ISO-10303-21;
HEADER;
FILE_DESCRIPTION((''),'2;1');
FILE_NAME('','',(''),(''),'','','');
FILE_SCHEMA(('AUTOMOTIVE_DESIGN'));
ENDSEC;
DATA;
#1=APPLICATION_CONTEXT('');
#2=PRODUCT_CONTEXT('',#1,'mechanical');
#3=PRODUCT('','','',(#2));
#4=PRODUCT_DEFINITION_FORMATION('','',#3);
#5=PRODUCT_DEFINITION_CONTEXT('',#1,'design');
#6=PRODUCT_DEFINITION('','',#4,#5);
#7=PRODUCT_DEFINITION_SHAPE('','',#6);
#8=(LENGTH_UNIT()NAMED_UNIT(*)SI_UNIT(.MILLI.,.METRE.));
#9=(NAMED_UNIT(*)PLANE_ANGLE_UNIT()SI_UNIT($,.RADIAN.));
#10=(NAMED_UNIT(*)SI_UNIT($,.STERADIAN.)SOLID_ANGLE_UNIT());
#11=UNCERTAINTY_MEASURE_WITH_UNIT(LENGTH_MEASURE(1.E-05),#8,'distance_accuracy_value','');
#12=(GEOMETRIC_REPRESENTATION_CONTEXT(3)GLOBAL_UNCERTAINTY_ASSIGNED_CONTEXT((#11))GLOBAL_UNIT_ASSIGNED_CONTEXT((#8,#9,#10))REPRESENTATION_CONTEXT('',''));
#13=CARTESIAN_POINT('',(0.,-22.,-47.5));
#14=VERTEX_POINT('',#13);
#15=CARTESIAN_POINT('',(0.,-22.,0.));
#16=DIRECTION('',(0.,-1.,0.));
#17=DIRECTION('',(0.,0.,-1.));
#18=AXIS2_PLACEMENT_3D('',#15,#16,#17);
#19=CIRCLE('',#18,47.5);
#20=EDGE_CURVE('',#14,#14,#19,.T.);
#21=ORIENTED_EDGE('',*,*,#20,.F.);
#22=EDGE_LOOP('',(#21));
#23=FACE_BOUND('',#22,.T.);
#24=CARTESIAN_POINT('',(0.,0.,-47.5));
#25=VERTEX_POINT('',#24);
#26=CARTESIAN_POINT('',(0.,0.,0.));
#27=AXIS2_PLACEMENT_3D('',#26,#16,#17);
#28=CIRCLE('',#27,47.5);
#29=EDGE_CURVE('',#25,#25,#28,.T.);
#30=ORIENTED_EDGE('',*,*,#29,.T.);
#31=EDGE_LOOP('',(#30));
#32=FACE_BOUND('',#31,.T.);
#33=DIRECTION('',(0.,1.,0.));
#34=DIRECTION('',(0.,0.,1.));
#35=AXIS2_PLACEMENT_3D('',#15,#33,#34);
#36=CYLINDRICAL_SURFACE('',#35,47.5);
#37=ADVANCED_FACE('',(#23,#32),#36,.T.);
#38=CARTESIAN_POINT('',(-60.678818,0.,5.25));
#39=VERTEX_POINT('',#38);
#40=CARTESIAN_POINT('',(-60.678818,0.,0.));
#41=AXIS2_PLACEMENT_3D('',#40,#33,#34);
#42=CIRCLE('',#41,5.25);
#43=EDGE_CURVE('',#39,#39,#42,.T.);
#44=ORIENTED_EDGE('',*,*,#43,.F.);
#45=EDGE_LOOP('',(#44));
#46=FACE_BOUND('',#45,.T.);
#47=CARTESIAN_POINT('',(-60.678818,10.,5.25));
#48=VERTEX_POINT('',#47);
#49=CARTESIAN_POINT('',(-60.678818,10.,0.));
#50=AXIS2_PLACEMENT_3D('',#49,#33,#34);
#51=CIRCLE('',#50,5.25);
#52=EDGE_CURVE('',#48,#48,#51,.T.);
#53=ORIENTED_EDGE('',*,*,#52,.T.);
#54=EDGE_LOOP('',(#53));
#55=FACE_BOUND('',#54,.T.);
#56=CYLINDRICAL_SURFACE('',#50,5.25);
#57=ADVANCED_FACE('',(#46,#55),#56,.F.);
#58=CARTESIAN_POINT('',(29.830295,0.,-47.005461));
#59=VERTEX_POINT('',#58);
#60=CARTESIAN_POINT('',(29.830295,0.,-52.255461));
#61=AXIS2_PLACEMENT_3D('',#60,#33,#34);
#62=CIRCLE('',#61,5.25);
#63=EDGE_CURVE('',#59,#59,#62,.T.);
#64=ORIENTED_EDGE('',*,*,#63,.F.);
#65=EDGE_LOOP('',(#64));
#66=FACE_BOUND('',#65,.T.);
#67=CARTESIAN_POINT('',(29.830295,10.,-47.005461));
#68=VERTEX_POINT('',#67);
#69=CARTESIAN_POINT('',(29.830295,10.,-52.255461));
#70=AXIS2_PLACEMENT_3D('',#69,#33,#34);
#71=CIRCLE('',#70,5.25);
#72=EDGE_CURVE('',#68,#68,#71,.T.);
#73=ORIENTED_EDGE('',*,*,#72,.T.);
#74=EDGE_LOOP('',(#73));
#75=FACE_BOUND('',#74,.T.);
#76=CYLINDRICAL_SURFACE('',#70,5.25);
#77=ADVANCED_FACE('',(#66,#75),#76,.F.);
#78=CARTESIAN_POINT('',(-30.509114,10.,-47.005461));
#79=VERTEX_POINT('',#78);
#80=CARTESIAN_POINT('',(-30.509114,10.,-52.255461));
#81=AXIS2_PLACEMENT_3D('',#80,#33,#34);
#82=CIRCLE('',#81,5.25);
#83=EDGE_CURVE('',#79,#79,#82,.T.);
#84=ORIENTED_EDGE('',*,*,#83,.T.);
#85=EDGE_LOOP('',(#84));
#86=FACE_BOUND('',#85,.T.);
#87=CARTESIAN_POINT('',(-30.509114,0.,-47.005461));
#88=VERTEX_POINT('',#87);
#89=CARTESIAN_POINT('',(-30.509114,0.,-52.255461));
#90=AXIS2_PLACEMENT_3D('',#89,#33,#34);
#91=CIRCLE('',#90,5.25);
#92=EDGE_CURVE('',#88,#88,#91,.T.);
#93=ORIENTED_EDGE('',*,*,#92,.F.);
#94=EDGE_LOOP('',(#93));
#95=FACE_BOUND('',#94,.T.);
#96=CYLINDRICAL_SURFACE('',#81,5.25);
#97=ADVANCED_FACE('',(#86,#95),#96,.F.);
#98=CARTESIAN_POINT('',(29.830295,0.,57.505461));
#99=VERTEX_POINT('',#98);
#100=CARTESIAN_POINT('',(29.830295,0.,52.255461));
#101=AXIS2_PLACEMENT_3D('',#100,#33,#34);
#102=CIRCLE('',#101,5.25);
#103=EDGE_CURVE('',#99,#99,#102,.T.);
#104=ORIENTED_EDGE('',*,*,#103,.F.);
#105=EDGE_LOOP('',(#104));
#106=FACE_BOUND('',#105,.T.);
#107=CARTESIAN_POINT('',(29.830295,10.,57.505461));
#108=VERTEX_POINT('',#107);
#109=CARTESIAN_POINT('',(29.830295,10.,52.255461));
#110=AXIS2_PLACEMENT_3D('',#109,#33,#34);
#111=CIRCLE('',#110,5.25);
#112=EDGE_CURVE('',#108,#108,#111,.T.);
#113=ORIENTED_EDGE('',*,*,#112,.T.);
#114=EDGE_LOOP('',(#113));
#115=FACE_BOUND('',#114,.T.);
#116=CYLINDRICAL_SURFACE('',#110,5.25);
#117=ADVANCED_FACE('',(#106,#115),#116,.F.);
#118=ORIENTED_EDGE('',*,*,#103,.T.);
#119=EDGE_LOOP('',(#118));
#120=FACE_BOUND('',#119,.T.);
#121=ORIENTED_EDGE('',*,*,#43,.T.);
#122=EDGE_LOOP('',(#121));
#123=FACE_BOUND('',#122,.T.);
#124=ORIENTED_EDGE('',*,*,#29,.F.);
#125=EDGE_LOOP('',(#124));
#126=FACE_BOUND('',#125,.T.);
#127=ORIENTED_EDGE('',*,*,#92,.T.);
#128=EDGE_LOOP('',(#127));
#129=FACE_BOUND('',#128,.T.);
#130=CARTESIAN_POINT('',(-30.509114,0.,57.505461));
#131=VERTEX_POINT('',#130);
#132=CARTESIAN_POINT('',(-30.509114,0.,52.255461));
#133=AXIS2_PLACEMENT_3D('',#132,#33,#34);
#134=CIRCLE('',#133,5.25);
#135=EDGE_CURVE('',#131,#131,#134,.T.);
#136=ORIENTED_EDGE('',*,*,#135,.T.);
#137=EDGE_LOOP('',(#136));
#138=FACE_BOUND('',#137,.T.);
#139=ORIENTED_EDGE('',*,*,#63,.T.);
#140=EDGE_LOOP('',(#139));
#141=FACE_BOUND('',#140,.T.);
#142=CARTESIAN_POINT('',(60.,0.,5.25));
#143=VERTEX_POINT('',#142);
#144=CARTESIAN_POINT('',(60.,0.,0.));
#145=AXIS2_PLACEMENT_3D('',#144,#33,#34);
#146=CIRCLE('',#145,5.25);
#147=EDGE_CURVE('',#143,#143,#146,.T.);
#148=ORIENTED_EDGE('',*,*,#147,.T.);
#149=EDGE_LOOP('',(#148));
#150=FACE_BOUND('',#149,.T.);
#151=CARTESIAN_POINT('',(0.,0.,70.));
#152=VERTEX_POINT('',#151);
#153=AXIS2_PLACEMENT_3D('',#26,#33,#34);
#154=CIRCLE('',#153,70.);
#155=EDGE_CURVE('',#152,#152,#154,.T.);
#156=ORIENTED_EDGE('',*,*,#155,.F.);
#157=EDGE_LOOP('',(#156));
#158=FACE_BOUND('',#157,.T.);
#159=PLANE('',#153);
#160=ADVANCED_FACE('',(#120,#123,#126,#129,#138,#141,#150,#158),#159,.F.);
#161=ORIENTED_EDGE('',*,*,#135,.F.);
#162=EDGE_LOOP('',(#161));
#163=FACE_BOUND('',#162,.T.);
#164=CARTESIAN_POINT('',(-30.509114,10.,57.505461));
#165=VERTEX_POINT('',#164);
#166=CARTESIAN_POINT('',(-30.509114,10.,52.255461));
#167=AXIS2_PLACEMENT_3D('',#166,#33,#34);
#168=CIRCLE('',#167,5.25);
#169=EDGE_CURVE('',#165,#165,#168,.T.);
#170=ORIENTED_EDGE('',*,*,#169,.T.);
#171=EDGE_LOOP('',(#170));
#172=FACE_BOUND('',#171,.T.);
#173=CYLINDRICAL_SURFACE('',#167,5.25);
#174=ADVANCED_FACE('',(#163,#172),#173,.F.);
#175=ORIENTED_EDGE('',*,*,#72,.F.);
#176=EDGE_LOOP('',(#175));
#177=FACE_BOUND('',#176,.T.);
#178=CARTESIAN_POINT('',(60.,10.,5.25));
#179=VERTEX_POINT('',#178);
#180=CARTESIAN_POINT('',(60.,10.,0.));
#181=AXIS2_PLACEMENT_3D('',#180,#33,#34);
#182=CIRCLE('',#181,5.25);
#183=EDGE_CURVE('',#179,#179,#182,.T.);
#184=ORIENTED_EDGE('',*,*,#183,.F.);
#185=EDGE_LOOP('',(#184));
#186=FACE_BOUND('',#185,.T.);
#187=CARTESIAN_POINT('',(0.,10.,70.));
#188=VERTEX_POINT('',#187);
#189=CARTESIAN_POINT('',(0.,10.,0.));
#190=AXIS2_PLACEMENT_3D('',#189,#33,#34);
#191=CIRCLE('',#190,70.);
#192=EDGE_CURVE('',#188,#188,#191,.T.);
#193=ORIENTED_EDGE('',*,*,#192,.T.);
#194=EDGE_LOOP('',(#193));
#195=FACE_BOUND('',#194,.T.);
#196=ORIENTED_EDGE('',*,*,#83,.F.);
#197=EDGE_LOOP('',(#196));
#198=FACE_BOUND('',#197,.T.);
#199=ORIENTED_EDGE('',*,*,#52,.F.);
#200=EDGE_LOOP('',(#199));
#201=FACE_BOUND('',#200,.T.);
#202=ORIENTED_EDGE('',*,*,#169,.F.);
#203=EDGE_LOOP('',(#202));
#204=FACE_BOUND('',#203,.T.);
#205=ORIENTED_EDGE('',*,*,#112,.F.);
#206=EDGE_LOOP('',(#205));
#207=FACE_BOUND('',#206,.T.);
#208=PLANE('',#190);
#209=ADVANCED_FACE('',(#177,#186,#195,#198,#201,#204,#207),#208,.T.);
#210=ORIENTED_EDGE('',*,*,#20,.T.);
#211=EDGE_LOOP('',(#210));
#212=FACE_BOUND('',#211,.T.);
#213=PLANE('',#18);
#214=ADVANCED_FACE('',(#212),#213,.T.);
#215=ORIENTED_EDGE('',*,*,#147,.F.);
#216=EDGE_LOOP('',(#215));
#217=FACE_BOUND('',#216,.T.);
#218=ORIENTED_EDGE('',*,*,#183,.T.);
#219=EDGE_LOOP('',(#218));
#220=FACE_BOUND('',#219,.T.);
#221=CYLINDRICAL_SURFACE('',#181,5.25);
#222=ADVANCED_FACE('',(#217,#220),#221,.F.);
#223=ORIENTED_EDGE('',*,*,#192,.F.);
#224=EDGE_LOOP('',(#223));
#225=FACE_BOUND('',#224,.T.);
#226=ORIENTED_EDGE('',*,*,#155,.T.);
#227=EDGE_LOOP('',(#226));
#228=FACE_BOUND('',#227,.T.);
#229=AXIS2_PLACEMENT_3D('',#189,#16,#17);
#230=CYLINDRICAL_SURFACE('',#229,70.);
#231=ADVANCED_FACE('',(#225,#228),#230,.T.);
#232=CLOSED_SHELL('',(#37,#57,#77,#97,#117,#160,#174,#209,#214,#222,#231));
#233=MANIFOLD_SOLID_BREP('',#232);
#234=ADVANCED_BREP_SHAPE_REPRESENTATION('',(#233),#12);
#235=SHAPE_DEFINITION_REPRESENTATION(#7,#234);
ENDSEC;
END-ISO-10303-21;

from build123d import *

# Parameters (mm, degrees)
CROQUIS1_R              = 70
SALIENTE_EXTRUIR1_DEPTH = 10
CROQUIS4_R              = 47.5
SALIENTE_EXTRUIR2_DEPTH = 22
MATRIZC1_COUNT          = 6


with BuildPart() as part:
    # Croquis1 → Saliente-Extruir1 (new body)
    with BuildSketch(Plane(origin=(0, 0, 0), x_dir=(1, 0, 0), z_dir=(0, 1, 0))):
        with Locations(Location((0, 0, 0), (0, 0, 270))):
            Circle(CROQUIS1_R)
    extrude(amount=SALIENTE_EXTRUIR1_DEPTH)

    # Croquis4 → Saliente-Extruir2 (add)
    with BuildSketch(Plane(origin=(0, 0, 0), x_dir=(-1, 0, 0), z_dir=(0, -1, 0))):
        with Locations(Location((0, 0, 0), (0, 0, 90))):
            Circle(CROQUIS4_R)
    extrude(amount=SALIENTE_EXTRUIR2_DEPTH)

    # Croquis6 → Taladro roscado M12x1.51 (revolve, cut)
    with BuildSketch(Plane(origin=(60, 10, 0), x_dir=(0, 0, 1), z_dir=(1, 0, 0))):
        Polygon((0, 0), (0, 34.65451825), (5.25, 31.5), (5.25, 0), align=None)
    taladro_roscado_m12x1_51 = revolve(axis=Axis((60, 16.35, 0), (0, -1, 0)), mode=Mode.SUBTRACT)

    # MatrizC1: Taladro roscado M12x1.51 ×6 about axis
    matrizc1_axis = Axis((-0.339409177, 0, 0), (0, 1, 0))
    for i in range(1, MATRIZC1_COUNT):
        add(taladro_roscado_m12x1_51.rotate(matrizc1_axis, i * 360 / MATRIZC1_COUNT), mode=Mode.SUBTRACT)


solid = part.part
